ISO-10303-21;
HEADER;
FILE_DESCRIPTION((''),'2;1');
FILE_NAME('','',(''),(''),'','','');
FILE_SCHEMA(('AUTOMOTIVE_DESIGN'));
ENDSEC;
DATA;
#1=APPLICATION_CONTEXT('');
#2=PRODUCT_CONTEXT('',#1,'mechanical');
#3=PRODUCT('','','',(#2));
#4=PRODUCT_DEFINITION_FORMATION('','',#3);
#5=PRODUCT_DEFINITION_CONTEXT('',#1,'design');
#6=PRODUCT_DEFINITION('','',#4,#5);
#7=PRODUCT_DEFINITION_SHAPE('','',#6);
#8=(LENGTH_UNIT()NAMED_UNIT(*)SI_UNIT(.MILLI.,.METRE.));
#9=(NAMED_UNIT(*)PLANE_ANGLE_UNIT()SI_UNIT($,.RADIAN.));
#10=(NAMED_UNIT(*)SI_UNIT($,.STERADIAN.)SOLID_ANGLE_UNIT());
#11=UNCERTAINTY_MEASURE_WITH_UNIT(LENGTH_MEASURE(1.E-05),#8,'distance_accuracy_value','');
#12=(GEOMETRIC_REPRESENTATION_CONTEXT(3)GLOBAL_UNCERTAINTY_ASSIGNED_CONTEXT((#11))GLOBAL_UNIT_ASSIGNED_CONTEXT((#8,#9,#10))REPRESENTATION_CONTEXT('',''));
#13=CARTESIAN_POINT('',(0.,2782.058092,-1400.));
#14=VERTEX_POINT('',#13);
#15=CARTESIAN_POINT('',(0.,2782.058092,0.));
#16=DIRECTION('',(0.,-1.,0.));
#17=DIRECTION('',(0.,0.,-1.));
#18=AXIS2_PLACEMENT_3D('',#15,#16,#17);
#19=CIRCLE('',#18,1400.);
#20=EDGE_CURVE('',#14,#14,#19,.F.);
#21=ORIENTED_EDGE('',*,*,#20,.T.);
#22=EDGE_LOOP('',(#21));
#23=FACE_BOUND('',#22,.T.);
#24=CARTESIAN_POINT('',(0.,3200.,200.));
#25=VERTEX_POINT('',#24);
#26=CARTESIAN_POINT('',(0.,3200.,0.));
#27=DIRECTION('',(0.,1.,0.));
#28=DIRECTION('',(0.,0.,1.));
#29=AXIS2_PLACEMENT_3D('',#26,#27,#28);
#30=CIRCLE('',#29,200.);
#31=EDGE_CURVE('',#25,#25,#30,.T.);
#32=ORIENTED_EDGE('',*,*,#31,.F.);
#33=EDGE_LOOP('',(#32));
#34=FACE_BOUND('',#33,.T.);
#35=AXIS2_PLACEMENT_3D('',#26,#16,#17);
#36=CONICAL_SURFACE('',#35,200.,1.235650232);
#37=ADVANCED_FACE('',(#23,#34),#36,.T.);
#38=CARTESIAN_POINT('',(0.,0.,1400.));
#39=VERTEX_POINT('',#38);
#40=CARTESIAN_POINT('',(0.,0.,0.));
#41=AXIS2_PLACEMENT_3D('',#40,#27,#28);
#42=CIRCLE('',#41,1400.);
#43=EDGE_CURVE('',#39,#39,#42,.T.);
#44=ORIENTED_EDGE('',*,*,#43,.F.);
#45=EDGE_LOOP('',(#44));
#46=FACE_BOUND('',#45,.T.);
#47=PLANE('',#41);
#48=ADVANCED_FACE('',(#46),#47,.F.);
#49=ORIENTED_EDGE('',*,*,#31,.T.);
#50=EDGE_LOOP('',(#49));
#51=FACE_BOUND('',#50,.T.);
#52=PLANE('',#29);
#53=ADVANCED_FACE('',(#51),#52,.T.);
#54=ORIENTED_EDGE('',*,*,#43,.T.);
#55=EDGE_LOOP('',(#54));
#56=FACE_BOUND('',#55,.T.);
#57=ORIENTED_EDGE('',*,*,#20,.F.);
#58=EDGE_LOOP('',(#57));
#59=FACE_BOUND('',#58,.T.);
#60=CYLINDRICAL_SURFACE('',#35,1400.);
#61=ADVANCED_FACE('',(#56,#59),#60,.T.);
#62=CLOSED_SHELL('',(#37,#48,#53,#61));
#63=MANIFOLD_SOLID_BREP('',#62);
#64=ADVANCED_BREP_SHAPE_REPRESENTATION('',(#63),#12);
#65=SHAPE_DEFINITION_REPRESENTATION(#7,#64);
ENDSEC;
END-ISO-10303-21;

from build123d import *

# Parameters (mm, degrees)
SKETCH1_R           = 1400
BOSS_EXTRUDE1_DEPTH = 3200


with BuildPart() as part:
    # Sketch1 → Boss-Extrude1 (new body)
    with BuildSketch(Plane(origin=(0, 0, 0), x_dir=(1, 0, 0), z_dir=(0, 1, 0))):
        Circle(SKETCH1_R)
    extrude(amount=BOSS_EXTRUDE1_DEPTH)

    # Sketch2 → Cut-Revolve2 (revolve, cut)
    with BuildSketch(Plane.XY):
        Polygon((200, 3200), (1990.74236953, 2576.311431408), (1990.74236953, 3200), align=None)
    revolve(axis=Axis((0, 4385.8596743, 0), (0, -1, 0)), mode=Mode.SUBTRACT)


solid = part.part
